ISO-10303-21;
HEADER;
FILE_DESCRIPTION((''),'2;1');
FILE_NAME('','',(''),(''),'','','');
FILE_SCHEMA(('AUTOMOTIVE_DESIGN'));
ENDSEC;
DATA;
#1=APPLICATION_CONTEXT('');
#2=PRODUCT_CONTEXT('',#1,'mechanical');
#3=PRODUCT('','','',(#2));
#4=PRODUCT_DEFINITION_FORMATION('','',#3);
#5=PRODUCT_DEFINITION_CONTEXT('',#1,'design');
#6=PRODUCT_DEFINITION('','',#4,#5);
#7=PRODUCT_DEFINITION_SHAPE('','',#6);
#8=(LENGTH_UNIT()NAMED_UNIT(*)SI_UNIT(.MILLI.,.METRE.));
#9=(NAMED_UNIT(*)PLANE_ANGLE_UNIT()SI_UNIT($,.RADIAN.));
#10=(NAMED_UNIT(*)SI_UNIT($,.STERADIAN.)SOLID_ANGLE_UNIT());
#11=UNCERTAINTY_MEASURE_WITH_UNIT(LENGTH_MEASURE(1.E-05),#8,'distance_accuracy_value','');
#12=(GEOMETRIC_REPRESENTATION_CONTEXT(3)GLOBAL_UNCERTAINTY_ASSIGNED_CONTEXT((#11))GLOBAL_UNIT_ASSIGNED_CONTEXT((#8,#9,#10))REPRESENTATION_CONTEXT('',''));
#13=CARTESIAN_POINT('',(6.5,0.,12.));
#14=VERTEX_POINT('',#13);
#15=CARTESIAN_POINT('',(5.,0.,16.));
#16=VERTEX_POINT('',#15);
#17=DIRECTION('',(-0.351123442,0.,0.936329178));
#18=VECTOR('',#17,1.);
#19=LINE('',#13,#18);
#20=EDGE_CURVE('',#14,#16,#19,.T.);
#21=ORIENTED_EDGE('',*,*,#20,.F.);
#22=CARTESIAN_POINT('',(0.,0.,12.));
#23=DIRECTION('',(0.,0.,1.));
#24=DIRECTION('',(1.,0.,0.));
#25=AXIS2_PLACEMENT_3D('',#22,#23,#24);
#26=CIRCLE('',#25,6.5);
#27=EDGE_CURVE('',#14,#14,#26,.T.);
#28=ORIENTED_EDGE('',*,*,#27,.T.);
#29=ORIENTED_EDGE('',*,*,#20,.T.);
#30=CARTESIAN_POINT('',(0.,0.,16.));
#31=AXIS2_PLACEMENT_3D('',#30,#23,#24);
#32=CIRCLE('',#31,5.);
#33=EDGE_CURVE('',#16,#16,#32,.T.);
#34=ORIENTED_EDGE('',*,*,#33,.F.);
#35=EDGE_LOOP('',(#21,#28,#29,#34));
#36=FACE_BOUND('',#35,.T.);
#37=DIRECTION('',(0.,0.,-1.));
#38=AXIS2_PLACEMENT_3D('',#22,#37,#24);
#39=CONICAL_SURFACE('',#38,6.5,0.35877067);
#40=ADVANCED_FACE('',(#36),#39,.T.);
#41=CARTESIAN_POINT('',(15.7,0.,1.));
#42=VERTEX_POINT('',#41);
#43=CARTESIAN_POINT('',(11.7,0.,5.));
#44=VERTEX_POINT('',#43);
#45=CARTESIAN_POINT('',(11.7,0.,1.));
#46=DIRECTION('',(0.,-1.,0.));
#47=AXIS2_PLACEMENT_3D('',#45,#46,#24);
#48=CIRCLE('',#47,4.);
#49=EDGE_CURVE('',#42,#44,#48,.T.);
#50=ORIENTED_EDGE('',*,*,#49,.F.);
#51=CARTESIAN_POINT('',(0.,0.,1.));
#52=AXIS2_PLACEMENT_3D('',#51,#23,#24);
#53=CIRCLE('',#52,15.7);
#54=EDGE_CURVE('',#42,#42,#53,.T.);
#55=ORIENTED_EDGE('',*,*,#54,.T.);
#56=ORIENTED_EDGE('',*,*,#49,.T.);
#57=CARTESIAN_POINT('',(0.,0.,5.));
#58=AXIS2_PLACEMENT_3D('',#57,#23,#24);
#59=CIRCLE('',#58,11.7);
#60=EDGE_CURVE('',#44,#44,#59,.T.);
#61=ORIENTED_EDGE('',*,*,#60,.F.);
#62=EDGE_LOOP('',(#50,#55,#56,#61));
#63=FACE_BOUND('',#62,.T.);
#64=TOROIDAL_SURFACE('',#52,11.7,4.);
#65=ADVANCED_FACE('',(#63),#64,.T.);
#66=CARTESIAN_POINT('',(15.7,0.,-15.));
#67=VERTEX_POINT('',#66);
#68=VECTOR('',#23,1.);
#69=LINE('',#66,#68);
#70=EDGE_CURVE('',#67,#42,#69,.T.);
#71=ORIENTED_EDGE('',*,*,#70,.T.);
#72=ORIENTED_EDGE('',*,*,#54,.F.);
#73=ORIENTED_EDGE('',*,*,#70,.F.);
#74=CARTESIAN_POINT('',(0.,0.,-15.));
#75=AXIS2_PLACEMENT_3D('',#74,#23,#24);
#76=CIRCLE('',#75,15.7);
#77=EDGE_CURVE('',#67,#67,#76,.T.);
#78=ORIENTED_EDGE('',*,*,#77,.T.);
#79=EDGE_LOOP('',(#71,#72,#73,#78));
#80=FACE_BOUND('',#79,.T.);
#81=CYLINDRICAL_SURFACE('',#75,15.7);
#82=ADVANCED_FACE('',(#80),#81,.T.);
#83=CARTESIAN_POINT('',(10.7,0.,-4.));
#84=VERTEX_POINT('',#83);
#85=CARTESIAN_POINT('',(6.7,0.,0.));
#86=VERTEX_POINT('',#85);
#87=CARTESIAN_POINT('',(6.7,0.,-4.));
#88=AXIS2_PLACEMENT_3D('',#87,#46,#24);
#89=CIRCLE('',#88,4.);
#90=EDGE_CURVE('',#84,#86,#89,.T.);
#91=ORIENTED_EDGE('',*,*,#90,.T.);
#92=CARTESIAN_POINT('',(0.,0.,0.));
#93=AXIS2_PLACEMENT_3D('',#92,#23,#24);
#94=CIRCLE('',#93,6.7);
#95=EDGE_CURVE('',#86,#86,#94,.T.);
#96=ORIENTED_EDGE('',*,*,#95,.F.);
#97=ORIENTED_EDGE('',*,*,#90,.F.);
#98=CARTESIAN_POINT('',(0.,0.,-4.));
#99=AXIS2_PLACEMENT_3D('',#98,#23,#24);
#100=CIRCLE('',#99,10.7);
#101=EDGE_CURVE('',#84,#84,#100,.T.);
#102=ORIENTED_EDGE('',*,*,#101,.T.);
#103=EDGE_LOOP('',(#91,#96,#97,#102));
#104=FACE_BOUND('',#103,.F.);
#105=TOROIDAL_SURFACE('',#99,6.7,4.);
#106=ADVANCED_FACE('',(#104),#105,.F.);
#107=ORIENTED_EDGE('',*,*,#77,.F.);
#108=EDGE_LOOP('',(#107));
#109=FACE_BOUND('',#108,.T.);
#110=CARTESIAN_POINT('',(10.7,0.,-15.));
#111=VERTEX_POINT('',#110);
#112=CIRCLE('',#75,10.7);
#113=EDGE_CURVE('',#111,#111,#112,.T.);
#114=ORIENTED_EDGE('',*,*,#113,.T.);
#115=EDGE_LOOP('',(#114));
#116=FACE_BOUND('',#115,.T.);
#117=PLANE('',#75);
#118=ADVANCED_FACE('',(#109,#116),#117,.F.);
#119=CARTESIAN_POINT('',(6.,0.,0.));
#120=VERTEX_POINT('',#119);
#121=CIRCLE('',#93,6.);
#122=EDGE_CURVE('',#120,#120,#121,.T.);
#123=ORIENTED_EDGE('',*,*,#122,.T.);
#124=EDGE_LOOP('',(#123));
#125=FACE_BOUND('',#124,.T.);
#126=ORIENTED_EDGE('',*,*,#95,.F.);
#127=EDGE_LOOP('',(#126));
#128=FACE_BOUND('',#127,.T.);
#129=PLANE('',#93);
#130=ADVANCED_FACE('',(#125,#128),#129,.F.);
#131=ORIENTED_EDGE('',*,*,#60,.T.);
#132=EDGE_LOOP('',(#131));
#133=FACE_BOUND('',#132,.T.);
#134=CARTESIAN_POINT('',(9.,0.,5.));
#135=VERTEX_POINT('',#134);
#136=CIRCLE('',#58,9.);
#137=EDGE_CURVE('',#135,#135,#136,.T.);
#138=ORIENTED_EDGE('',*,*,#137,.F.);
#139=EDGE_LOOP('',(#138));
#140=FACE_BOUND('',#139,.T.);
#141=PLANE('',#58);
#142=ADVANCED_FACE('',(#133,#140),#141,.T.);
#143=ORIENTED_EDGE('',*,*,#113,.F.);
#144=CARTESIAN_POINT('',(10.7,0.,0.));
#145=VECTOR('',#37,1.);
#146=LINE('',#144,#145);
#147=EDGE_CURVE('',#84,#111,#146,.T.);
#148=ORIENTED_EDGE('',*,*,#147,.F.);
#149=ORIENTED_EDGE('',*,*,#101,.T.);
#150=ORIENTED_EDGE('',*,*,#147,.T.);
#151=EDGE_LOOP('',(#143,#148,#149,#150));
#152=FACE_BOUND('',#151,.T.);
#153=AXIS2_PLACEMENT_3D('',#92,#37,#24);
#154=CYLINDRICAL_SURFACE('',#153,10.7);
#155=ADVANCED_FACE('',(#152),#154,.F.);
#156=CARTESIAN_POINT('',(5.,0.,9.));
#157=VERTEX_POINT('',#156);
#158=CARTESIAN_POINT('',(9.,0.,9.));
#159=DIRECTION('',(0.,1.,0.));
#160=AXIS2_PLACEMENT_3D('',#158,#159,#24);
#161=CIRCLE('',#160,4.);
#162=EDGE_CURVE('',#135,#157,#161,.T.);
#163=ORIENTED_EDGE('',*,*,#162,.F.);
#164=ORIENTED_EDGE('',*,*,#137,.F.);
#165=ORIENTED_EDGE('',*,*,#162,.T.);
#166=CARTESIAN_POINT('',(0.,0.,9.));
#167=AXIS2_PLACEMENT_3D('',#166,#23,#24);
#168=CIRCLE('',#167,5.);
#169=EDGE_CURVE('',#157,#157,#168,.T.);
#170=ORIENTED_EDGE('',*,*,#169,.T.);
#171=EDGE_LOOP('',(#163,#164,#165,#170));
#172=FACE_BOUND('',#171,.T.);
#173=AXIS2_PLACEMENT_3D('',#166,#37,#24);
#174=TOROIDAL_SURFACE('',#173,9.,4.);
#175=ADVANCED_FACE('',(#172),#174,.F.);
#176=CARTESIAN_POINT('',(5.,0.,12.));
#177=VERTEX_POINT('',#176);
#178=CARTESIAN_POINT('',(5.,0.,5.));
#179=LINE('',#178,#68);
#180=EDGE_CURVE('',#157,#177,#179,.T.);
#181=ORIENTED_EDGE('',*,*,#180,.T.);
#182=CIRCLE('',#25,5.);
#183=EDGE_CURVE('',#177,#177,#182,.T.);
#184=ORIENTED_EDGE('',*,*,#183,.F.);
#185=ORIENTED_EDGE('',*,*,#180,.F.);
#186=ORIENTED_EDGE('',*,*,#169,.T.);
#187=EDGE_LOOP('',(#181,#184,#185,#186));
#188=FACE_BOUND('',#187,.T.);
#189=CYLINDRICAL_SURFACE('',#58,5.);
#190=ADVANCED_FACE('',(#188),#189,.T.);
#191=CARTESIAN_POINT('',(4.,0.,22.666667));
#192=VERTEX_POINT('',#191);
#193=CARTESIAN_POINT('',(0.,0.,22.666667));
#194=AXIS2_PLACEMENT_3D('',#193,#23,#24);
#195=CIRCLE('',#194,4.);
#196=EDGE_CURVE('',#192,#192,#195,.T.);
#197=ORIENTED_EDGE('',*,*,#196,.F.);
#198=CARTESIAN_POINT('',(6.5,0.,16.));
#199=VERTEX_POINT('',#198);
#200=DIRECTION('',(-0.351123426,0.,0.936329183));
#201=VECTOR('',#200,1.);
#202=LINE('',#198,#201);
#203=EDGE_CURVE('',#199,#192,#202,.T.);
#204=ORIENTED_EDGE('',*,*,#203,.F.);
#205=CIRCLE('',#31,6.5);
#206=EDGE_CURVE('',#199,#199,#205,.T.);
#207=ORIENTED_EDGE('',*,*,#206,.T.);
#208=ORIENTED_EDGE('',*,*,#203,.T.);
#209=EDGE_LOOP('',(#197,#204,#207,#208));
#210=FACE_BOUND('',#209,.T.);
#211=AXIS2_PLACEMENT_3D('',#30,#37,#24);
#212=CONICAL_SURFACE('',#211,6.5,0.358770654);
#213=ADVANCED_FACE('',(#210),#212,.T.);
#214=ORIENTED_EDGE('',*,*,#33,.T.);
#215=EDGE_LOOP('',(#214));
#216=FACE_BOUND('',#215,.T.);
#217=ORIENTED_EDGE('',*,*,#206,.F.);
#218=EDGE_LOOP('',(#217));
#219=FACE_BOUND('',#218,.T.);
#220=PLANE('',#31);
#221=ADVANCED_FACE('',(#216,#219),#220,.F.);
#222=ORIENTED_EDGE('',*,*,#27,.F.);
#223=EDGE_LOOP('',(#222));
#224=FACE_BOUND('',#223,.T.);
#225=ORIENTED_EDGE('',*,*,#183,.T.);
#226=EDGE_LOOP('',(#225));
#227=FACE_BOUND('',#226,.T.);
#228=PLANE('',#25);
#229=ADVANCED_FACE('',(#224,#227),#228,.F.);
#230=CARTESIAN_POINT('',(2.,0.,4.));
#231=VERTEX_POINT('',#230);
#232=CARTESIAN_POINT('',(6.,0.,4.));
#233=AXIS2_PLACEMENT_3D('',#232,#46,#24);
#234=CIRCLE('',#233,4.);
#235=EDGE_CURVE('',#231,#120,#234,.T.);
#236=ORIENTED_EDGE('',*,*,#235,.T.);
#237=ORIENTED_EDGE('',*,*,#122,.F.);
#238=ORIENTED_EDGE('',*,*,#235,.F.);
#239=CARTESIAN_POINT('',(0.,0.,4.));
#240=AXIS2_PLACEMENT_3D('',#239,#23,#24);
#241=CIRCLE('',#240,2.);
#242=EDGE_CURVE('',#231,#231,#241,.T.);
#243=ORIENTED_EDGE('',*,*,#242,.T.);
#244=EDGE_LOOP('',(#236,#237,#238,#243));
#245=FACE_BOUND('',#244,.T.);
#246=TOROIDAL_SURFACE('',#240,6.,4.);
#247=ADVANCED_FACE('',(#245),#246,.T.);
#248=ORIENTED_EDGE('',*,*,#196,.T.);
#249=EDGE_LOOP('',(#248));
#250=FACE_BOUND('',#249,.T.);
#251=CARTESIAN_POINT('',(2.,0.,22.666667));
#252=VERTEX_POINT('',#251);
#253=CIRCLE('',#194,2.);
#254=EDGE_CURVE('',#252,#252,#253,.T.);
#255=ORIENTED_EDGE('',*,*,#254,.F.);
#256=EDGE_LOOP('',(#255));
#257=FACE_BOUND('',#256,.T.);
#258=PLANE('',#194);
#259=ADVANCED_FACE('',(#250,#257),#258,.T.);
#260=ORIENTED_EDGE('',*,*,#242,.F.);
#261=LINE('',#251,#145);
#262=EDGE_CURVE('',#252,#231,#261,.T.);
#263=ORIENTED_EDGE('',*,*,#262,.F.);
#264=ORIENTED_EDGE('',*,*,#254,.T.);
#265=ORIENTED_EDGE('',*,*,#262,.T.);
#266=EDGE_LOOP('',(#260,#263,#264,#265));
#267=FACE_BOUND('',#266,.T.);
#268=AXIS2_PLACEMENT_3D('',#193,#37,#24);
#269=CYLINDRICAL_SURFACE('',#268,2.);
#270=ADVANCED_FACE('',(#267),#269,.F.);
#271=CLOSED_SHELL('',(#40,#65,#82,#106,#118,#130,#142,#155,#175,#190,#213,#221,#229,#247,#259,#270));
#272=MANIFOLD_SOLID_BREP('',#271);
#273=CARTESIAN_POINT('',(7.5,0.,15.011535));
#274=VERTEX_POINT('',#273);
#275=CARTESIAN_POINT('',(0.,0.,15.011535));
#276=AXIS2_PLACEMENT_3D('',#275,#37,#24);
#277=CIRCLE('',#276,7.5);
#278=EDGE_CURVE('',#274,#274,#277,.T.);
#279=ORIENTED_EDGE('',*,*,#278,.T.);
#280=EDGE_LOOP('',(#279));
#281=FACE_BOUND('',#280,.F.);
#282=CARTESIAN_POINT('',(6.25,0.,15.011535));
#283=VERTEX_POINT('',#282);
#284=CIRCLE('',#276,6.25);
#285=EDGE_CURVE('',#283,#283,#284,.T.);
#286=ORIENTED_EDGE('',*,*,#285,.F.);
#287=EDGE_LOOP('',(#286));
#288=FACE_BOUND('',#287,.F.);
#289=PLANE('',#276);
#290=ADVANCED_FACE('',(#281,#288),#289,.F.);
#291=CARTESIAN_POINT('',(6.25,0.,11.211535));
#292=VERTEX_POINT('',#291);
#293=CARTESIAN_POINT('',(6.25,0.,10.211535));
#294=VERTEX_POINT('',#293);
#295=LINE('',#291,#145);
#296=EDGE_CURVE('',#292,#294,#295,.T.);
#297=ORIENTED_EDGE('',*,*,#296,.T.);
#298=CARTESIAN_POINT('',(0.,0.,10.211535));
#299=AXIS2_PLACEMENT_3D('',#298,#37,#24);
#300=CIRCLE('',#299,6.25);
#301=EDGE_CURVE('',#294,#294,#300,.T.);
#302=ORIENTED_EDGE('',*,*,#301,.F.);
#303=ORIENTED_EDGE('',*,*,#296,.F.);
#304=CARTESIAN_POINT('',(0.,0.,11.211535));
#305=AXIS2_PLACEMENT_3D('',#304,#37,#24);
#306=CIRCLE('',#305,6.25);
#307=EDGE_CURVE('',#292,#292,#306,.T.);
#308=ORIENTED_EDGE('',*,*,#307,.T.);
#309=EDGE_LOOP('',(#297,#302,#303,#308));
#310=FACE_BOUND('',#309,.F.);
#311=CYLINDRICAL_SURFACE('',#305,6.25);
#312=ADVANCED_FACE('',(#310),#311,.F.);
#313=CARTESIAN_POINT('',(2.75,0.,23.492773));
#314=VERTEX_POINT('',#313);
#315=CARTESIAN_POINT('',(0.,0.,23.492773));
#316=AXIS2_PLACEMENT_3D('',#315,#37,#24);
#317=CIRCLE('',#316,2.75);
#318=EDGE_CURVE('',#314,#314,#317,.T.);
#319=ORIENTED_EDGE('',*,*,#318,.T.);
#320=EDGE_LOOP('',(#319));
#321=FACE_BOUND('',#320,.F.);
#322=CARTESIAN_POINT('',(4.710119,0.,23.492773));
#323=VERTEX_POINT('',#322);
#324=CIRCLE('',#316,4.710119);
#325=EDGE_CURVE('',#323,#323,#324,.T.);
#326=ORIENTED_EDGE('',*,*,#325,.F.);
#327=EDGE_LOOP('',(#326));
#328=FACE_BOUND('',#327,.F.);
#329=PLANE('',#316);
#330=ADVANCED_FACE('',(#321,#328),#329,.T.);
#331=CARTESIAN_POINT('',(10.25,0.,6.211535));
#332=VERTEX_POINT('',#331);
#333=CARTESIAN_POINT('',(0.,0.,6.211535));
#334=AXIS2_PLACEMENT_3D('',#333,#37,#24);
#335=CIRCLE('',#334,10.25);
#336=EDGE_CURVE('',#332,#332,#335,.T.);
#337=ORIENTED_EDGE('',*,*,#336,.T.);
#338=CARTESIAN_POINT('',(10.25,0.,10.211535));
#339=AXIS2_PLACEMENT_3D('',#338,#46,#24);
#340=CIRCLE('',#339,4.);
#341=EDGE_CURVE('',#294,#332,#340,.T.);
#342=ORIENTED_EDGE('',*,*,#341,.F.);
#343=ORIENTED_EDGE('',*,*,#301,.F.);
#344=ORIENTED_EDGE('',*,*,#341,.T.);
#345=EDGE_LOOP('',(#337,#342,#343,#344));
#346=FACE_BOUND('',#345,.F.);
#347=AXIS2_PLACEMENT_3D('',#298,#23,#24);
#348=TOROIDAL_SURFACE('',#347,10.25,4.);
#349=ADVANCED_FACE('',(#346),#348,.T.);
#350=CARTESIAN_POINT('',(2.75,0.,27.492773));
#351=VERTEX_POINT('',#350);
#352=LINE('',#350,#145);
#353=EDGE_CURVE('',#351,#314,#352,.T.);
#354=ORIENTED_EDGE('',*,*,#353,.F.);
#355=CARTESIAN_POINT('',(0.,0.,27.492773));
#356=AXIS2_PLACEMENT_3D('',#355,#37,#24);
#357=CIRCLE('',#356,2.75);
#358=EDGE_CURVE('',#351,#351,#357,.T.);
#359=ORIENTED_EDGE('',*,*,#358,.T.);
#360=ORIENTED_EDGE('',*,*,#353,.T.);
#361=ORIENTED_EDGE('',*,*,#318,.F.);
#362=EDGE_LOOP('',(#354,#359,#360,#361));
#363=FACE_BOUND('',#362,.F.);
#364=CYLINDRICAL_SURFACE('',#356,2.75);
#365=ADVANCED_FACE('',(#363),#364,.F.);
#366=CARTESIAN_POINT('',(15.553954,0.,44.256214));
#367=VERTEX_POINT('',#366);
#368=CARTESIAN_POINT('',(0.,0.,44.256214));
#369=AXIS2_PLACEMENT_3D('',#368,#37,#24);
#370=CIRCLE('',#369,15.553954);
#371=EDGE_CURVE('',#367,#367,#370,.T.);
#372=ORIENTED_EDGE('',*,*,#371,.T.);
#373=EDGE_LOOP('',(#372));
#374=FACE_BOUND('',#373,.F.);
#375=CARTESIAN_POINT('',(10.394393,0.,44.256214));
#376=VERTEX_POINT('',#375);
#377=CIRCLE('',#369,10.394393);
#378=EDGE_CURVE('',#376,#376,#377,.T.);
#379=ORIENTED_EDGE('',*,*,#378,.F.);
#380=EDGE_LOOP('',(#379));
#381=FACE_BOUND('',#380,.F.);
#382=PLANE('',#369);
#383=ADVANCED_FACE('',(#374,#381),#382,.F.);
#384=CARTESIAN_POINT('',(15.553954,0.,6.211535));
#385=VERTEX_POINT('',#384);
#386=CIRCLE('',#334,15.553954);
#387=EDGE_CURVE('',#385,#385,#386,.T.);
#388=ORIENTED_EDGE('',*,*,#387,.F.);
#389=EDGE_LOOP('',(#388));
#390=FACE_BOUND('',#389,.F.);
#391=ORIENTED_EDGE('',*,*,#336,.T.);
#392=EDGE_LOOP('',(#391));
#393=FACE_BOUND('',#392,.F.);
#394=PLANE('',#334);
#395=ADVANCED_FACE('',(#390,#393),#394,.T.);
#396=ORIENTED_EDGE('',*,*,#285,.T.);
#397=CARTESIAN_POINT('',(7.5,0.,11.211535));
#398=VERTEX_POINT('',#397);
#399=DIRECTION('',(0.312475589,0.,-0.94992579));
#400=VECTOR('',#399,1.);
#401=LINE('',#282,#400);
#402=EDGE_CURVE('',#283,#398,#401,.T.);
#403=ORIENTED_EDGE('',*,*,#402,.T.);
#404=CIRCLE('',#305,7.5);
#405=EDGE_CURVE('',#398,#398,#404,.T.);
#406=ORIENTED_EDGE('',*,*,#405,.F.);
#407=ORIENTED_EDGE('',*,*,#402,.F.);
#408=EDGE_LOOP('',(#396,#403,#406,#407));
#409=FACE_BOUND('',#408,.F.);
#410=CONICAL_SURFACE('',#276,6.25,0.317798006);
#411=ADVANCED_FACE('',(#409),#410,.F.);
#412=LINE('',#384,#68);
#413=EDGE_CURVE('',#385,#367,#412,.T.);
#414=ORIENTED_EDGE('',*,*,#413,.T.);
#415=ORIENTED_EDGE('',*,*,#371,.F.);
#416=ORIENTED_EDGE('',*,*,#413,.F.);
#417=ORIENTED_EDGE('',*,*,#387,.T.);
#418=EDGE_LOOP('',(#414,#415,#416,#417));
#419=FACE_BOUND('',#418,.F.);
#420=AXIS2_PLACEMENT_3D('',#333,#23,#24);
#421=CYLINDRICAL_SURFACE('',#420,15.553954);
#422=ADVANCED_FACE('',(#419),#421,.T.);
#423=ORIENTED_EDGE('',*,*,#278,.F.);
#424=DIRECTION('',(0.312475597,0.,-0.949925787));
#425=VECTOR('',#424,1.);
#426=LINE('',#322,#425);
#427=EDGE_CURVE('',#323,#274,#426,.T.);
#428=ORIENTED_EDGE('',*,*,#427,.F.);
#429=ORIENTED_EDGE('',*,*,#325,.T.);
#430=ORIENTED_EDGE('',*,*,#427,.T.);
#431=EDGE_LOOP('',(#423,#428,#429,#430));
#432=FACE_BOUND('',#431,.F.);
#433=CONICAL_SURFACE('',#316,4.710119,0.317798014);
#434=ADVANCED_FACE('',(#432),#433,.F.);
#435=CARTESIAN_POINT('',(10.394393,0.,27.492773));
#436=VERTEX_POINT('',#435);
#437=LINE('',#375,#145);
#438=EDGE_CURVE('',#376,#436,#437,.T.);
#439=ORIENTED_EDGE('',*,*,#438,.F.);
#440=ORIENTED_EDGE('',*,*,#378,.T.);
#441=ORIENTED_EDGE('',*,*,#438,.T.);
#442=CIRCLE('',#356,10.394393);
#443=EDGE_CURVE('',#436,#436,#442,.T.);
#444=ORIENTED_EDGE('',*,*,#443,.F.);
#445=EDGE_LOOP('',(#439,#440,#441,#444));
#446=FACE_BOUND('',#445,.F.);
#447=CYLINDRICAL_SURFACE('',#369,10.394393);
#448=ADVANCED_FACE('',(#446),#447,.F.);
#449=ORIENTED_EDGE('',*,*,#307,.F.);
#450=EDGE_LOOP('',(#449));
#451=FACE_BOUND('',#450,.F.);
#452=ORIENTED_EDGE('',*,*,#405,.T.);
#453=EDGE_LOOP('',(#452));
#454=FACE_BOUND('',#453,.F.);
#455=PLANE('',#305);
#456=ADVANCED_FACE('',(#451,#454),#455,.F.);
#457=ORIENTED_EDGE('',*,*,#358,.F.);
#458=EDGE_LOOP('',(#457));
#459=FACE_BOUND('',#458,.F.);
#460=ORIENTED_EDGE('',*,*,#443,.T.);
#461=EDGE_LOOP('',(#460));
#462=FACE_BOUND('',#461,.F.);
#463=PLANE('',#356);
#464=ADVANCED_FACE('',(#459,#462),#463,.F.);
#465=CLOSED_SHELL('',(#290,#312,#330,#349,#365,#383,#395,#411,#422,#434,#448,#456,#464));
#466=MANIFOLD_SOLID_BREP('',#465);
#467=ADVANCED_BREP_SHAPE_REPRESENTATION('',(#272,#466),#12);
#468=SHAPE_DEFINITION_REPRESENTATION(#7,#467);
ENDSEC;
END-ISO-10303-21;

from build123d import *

# Parameters (mm, degrees)
F2_R = 4
F5_R = 4


with BuildPart() as f1:
    # F0 (on Front) → F1 (revolve)
    with BuildSketch(Plane.XZ):
        Polygon((10.7, 0), (10.7, -15), (15.7, -15), (15.7, 5), (5, 5), (5, 12), (6.5, 12), (5, 16), (6.5, 16), (4, 22.666667), (2, 22.666667), (2, 0), align=None)
    revolve(axis=Axis((0, 0, 19.526767), (0, 0, 1)))

    # F2
    f2_edges = [f1.edges().sort_by_distance(p)[0] for p in [
        (-5, 0, 5),
        (-15.7, 0, 5),
        (-10.7, 0, 0),
        (-2, 0, 0),
    ]]
    fillet(f2_edges, radius=F2_R)


with BuildPart() as f4:
    # F3 (on Front) → F4 (revolve)
    with BuildSketch(Plane.XZ):
        Polygon((2.75, 27.492773), (2.75, 23.492773), (4.710119, 23.492773), (7.5, 15.011535), (6.25, 15.011535), (7.5, 11.211535), (6.25, 11.211535), (6.25, 6.211535), (15.553954, 6.211535), (15.553954, 44.256214), (10.394393, 44.256214), (10.394393, 27.492773), align=None)
    revolve(axis=Axis((0, 0, 18.291627), (0, 0, -1)))

    # F5
    f5_edges = [f4.edges().sort_by_distance(p)[0] for p in [
        (-6.25, 0, 6.211535),
    ]]
    fillet(f5_edges, radius=F5_R)


solid = Compound([f1.part, f4.part])
